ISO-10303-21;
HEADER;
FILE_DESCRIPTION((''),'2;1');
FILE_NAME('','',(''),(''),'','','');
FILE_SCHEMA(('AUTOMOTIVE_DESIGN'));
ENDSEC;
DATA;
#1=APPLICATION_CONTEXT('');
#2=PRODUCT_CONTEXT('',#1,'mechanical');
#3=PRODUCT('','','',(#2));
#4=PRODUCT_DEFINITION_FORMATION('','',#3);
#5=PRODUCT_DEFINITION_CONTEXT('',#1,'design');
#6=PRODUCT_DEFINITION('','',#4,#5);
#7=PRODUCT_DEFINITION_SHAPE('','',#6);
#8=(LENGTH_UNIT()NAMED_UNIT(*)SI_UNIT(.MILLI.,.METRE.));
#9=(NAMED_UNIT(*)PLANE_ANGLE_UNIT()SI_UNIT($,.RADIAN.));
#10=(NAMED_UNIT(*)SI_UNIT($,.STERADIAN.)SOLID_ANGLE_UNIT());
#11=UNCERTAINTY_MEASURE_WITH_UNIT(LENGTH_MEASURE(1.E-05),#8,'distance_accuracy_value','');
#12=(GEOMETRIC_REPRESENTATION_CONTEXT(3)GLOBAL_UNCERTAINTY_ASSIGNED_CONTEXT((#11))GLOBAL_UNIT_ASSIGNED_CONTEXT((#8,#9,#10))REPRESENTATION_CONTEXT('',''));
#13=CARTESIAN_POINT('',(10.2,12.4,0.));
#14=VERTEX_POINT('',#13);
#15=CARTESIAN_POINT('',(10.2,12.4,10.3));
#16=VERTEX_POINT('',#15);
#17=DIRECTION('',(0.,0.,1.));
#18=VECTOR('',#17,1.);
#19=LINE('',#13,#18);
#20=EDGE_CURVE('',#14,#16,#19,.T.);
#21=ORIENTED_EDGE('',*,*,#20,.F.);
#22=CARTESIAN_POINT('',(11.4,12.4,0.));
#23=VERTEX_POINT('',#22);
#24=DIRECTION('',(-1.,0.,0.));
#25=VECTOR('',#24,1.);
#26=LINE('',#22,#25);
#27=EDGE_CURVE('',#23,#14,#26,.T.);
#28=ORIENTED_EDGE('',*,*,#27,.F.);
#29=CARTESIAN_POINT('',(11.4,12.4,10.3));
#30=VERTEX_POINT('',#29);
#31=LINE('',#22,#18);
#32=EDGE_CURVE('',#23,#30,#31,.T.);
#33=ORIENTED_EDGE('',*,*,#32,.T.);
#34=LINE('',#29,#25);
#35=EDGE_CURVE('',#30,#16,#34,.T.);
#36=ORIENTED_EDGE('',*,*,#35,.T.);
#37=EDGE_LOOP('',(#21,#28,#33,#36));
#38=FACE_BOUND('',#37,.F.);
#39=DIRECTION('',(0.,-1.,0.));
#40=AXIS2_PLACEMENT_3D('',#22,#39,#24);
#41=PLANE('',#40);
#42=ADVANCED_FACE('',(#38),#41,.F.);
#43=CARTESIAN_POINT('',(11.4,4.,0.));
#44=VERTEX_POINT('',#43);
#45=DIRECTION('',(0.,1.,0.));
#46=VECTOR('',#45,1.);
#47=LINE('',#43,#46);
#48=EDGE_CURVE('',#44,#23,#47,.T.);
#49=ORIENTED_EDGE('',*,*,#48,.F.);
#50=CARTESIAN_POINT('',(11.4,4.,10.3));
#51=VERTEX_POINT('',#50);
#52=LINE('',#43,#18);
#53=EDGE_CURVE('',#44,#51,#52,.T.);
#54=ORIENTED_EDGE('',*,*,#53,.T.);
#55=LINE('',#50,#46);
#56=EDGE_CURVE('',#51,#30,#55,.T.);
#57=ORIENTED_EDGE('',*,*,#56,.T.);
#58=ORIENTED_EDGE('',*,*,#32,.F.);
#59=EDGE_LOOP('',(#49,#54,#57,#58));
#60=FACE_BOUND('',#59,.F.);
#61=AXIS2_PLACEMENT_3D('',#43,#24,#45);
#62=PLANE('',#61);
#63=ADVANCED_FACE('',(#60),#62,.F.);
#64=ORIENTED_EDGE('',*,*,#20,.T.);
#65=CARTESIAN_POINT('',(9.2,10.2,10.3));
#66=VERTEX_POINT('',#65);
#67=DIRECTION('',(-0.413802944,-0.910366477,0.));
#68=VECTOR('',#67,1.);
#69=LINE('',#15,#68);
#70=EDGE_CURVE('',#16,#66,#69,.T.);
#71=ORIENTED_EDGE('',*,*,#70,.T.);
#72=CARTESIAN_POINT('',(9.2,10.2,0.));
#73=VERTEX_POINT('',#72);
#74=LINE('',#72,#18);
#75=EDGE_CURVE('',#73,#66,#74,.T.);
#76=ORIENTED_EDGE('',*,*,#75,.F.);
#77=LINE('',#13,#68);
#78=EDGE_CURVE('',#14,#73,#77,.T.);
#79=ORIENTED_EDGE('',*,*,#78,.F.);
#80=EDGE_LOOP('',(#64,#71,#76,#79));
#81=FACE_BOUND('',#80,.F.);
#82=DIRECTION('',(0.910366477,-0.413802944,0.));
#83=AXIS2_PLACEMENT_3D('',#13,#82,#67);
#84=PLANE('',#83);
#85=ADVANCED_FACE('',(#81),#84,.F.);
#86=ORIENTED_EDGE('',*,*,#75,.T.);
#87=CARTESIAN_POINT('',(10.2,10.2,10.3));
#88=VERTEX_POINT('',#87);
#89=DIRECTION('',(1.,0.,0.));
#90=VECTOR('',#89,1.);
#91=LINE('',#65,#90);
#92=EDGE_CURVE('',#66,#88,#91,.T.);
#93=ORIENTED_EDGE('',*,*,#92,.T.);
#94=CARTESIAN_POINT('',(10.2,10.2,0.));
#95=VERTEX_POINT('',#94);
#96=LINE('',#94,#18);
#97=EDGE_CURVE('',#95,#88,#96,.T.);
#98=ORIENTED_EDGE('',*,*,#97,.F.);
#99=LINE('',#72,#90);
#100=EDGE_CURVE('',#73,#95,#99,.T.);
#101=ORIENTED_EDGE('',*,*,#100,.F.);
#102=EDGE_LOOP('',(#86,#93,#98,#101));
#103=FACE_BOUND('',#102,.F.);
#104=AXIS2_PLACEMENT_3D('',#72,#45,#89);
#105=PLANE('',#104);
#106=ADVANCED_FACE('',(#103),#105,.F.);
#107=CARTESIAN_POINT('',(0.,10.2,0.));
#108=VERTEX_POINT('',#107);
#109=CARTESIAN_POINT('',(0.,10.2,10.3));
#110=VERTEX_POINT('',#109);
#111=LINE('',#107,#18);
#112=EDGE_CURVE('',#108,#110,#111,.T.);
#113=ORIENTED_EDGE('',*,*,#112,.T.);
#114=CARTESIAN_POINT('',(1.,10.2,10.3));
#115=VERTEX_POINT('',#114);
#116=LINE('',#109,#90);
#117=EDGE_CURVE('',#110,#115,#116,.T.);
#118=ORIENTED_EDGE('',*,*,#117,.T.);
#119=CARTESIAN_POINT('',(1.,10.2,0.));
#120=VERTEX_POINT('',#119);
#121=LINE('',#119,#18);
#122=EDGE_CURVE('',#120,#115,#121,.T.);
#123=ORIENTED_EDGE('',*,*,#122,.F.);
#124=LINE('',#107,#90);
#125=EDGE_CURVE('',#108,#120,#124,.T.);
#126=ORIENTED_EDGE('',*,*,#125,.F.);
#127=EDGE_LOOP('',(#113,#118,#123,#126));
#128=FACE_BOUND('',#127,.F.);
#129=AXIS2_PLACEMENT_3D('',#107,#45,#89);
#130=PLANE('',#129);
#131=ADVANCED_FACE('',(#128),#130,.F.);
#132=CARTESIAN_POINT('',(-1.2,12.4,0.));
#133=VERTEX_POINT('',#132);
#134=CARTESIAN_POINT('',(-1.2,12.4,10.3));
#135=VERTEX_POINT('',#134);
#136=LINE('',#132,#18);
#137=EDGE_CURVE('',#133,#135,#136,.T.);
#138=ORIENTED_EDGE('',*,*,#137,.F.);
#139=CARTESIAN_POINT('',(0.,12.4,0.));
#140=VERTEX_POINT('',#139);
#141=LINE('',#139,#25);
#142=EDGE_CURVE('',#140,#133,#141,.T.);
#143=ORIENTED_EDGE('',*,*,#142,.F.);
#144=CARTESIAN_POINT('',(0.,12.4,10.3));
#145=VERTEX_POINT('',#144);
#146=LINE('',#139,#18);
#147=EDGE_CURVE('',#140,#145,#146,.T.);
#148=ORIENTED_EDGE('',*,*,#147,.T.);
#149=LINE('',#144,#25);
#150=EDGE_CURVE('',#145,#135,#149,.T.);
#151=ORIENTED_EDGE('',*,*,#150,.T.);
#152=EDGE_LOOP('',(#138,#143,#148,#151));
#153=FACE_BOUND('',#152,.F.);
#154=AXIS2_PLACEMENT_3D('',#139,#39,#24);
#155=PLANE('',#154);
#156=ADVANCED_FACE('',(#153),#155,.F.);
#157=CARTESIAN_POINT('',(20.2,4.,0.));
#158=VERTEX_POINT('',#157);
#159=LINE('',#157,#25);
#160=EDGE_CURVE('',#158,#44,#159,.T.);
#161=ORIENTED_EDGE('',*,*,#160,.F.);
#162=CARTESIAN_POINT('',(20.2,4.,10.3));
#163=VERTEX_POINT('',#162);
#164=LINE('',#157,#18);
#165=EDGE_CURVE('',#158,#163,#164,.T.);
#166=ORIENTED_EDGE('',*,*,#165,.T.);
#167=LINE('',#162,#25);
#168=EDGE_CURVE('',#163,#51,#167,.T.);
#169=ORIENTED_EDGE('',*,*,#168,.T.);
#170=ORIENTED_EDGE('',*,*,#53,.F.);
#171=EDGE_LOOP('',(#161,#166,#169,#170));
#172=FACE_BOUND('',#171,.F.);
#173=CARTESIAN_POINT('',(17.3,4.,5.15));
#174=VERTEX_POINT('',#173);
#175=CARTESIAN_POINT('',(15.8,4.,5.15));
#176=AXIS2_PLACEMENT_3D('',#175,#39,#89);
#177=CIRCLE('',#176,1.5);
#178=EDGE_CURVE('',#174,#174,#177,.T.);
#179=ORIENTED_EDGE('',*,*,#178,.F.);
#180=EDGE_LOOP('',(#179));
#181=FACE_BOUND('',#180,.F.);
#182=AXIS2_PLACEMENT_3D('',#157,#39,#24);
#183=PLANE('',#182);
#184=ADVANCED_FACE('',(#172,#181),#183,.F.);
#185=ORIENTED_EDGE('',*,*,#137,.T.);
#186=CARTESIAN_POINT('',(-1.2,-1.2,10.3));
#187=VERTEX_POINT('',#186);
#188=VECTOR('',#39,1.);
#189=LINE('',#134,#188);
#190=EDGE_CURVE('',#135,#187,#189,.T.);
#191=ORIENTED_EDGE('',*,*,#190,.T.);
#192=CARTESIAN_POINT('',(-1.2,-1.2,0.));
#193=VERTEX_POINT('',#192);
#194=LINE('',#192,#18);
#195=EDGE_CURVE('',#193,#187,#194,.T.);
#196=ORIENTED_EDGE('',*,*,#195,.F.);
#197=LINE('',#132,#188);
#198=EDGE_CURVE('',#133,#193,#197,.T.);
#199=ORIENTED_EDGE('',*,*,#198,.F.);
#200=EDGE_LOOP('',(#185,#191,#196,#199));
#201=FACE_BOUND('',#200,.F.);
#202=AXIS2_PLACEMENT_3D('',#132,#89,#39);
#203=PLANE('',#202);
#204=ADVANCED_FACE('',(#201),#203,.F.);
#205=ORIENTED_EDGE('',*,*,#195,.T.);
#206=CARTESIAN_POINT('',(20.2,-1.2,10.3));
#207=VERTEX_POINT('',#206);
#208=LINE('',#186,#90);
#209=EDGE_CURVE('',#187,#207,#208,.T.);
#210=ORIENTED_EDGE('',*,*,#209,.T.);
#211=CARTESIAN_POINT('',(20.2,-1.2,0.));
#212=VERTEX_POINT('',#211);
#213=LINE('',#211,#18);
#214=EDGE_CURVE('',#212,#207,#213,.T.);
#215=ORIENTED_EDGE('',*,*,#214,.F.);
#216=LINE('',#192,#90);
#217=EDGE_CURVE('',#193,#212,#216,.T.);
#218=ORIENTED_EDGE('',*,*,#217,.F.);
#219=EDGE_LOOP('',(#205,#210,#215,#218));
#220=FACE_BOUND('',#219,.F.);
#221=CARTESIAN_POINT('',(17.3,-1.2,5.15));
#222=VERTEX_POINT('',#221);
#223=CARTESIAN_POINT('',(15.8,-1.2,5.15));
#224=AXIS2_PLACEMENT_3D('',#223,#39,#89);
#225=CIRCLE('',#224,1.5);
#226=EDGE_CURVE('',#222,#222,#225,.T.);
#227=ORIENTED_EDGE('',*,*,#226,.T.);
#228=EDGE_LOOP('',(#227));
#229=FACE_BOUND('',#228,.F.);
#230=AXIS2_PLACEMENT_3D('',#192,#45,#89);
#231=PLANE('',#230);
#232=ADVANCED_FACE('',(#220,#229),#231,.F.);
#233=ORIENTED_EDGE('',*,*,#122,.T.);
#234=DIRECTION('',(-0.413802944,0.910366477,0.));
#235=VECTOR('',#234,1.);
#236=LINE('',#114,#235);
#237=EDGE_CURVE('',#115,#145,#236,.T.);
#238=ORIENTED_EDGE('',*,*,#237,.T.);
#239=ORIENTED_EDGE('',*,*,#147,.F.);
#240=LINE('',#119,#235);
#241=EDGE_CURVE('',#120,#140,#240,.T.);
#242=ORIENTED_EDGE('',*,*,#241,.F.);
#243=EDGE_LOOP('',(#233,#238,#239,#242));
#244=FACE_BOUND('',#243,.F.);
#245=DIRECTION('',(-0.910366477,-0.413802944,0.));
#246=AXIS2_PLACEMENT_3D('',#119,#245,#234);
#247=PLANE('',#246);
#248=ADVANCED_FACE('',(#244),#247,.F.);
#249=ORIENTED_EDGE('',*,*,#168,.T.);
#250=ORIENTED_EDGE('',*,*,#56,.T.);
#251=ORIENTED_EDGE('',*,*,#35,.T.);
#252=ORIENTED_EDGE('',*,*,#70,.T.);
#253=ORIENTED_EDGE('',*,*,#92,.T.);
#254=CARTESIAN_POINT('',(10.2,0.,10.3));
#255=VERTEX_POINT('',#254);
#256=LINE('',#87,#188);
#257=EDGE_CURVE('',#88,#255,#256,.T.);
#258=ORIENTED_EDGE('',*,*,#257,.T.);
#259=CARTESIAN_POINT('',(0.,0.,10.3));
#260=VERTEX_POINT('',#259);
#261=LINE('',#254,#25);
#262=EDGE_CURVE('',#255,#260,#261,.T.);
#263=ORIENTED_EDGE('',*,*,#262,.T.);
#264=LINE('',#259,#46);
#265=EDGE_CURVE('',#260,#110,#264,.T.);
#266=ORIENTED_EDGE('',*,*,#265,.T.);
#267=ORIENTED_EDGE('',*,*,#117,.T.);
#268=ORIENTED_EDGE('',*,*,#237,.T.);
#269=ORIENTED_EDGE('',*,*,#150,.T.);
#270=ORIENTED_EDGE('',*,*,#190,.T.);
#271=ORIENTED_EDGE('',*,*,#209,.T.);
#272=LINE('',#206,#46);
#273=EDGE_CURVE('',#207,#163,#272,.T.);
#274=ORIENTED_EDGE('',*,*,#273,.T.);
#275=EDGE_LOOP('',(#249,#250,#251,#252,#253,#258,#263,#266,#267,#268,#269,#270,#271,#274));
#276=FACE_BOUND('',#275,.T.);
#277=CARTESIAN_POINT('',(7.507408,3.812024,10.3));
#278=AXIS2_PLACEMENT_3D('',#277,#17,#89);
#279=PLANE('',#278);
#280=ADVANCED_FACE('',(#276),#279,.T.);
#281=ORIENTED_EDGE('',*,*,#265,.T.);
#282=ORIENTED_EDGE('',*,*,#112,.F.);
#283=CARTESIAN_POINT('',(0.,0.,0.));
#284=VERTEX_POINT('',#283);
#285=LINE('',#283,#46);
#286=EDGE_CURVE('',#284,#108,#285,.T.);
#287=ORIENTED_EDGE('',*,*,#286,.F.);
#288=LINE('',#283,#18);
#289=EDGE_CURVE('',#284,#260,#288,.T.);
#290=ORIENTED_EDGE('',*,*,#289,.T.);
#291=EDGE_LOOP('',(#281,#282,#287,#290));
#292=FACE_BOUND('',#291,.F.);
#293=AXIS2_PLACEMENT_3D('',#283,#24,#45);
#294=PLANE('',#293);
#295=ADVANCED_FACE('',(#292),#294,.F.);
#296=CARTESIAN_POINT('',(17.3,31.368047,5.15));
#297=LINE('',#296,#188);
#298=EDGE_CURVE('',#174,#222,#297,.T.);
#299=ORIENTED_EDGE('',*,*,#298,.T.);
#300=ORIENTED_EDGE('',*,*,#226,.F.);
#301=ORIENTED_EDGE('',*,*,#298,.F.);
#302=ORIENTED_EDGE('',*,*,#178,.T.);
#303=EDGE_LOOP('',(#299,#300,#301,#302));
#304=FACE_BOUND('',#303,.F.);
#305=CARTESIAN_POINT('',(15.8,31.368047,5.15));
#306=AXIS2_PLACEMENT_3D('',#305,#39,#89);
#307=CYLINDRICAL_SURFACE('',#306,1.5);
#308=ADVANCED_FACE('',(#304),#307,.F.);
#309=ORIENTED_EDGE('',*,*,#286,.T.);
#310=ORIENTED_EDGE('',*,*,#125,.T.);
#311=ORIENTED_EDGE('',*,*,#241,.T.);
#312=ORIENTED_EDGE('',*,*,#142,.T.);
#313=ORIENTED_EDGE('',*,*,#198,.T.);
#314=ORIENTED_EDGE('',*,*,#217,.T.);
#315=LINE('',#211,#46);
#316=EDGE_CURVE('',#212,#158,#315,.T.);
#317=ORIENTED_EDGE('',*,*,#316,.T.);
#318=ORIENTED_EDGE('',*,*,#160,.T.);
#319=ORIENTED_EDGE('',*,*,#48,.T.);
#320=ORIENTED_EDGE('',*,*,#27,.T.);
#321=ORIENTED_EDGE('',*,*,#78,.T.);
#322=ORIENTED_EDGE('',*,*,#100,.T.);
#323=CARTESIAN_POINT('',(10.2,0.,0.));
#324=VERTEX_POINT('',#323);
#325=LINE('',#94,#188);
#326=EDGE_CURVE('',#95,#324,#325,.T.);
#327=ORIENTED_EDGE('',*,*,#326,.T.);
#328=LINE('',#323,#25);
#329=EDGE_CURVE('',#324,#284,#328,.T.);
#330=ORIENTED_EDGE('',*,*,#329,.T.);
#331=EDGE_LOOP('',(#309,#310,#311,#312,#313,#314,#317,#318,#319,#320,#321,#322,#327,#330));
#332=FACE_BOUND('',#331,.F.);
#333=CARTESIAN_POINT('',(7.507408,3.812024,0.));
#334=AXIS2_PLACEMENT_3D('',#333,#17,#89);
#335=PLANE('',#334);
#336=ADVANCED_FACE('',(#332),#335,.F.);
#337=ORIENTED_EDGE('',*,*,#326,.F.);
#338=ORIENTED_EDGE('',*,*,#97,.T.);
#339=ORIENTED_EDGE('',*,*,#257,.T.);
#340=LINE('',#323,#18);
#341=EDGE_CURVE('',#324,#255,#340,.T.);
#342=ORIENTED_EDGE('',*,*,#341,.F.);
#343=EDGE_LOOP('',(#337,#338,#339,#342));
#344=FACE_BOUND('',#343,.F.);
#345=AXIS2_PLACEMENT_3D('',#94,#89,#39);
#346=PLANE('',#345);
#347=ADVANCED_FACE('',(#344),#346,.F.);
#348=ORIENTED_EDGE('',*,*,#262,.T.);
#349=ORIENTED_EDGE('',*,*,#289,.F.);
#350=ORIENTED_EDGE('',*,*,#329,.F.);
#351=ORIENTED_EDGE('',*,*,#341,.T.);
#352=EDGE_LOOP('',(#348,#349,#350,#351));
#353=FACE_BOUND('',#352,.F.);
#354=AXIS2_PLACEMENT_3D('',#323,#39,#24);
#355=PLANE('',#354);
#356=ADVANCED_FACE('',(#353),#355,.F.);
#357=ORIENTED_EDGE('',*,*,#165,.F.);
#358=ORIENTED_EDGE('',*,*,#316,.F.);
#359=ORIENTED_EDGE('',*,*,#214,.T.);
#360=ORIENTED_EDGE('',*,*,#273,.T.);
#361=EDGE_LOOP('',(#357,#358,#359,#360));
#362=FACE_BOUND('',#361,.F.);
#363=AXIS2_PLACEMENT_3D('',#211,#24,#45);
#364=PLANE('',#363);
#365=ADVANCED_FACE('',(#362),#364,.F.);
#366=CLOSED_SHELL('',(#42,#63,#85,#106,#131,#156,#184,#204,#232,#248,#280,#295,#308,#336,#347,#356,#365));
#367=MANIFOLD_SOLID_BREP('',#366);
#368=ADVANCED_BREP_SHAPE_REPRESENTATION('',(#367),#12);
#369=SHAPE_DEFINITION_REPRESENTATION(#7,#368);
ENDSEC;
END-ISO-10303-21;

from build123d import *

# Parameters (mm, degrees)
F1_DEPTH = 10.3
F3_D     = 3


with BuildPart() as f1:
    # F0 (on Top) → F1 (new body)
    with BuildSketch(Plane.XY):
        Polygon((10.2, 0), (0, 0), (0, 10.2), (1, 10.2), (0, 12.4), (-1.2, 12.4), (-1.2, -1.2), (11.4, -1.2), (20.2, -1.2), (20.2, 4), (11.4, 4), (11.4, 12.4), (10.2, 12.4), (9.2, 10.2), (10.2, 10.2), align=None)
    extrude(amount=F1_DEPTH)

    # F3 (through all)
    with Locations(Plane(origin=(0, 4, 0), x_dir=(-1, 0, 0), z_dir=(0, 1, 0))):
        with Locations((-15.8, 5.15)):
            Hole(F3_D / 2)


solid = f1.part
